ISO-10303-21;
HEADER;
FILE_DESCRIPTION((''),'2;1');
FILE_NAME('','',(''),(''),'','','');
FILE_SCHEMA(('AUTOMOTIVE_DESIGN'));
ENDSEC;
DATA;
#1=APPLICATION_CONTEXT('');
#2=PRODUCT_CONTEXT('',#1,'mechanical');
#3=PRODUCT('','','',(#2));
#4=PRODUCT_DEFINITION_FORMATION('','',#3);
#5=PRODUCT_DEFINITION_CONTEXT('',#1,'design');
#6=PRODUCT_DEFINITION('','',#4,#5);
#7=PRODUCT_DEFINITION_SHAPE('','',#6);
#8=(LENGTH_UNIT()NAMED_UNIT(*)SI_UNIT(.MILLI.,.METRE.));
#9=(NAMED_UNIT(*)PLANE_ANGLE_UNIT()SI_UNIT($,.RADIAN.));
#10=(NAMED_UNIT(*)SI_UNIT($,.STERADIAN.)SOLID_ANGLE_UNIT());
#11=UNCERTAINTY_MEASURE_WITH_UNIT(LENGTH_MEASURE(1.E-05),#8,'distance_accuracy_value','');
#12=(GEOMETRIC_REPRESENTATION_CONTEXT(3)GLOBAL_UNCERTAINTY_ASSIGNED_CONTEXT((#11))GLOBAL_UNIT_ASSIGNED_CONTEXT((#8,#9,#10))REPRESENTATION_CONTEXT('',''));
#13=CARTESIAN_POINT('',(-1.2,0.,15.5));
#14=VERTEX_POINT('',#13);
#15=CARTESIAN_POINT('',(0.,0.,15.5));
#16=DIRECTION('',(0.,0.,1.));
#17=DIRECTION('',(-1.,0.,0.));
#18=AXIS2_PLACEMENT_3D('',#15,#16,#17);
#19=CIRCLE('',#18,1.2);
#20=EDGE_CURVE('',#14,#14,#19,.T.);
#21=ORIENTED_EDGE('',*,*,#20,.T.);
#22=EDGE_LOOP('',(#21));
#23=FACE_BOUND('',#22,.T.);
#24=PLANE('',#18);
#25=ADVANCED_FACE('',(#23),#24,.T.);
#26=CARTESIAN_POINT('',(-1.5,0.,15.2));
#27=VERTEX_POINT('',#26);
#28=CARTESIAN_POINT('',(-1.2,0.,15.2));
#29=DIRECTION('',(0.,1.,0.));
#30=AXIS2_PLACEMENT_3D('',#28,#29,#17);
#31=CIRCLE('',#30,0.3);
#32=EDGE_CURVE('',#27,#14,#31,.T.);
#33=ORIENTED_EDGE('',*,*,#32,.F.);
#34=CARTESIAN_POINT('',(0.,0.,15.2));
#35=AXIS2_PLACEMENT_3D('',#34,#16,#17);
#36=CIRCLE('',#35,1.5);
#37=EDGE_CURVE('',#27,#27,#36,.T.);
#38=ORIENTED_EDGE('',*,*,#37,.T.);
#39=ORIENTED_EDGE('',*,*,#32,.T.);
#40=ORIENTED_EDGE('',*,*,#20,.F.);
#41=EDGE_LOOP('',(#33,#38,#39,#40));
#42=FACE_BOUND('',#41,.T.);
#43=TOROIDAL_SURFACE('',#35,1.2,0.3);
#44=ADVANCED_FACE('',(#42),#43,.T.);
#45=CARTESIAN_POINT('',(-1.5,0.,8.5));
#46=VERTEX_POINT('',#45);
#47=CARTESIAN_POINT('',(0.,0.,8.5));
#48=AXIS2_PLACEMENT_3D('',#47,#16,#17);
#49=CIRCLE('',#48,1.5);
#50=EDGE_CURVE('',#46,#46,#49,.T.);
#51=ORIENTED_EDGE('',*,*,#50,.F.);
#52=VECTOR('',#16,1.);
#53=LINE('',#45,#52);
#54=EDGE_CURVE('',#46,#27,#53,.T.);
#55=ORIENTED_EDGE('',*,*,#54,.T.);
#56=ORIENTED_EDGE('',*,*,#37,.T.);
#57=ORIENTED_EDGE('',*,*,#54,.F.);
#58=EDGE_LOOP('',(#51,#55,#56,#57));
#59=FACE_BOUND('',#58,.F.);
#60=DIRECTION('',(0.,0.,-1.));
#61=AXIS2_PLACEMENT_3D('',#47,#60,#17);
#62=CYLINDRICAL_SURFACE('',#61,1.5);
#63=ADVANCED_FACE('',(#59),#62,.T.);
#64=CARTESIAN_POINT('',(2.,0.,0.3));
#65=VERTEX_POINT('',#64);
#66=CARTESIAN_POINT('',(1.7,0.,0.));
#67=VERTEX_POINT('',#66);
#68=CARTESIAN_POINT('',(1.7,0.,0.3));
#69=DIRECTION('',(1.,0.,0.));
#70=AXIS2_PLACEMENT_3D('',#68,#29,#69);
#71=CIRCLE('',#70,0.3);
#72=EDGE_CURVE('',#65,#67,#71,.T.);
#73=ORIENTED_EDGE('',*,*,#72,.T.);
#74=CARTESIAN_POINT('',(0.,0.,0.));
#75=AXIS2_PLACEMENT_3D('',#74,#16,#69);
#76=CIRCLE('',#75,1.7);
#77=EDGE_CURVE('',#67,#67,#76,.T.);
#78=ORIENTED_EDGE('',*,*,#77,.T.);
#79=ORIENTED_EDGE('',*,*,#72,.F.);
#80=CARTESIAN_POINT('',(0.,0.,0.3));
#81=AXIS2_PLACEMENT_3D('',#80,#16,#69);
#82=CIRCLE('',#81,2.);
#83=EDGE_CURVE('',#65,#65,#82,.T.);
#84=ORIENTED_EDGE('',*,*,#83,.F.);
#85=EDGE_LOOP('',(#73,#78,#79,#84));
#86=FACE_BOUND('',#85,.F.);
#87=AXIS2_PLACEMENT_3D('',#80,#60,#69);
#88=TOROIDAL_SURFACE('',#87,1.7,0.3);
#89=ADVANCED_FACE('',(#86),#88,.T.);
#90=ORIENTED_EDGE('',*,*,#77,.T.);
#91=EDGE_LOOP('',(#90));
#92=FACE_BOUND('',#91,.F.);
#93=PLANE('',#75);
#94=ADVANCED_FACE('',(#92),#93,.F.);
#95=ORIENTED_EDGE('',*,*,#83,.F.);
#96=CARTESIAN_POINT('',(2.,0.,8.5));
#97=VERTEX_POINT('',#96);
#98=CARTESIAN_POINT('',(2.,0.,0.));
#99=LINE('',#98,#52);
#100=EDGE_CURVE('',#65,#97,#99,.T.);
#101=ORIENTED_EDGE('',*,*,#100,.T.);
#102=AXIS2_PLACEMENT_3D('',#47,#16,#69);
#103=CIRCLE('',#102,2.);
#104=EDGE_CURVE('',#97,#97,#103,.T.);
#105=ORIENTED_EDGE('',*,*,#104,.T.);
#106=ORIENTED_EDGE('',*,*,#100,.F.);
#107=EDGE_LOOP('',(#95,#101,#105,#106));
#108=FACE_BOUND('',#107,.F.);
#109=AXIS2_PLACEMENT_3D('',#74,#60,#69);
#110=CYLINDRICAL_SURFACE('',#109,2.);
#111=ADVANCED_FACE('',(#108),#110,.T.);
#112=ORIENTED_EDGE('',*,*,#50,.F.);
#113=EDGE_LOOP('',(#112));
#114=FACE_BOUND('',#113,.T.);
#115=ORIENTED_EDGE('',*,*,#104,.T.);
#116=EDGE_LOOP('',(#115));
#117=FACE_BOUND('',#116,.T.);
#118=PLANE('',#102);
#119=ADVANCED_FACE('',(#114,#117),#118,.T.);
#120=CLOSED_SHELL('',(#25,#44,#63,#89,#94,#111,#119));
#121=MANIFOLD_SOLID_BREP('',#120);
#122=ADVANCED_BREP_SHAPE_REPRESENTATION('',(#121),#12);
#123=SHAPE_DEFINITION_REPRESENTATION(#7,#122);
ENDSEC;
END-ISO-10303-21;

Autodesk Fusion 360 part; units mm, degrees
sketch "Skizze1" plane through (0, 0, 0) normal (0, 0, 1) x (1, 0, 0)
  circle A0 centre (0, 0) radius 2
  dimension "d1" = 4
extrude "Extrusion1" add sketch "Skizze1" along normal blind 8.5
sketch "Skizze2" plane through (0, 0, 8.5) normal (0, 0, 1) x (-1, 0, 0)
  circle A0 centre (0, 0) radius 2
  circle A1 centre (0, 0) radius 1.5
  dimension "d4" = 3
extrude "Extrusion2" add sketch "Skizze2" along normal blind 7 contours A1
fillet "Abrundung1" radius 0.3 1 edges at (1.3985, 0.5424, 15.5)
fillet "Abrundung2" radius 0.3 1 edges at (-1.8647, -0.7232, 0)
